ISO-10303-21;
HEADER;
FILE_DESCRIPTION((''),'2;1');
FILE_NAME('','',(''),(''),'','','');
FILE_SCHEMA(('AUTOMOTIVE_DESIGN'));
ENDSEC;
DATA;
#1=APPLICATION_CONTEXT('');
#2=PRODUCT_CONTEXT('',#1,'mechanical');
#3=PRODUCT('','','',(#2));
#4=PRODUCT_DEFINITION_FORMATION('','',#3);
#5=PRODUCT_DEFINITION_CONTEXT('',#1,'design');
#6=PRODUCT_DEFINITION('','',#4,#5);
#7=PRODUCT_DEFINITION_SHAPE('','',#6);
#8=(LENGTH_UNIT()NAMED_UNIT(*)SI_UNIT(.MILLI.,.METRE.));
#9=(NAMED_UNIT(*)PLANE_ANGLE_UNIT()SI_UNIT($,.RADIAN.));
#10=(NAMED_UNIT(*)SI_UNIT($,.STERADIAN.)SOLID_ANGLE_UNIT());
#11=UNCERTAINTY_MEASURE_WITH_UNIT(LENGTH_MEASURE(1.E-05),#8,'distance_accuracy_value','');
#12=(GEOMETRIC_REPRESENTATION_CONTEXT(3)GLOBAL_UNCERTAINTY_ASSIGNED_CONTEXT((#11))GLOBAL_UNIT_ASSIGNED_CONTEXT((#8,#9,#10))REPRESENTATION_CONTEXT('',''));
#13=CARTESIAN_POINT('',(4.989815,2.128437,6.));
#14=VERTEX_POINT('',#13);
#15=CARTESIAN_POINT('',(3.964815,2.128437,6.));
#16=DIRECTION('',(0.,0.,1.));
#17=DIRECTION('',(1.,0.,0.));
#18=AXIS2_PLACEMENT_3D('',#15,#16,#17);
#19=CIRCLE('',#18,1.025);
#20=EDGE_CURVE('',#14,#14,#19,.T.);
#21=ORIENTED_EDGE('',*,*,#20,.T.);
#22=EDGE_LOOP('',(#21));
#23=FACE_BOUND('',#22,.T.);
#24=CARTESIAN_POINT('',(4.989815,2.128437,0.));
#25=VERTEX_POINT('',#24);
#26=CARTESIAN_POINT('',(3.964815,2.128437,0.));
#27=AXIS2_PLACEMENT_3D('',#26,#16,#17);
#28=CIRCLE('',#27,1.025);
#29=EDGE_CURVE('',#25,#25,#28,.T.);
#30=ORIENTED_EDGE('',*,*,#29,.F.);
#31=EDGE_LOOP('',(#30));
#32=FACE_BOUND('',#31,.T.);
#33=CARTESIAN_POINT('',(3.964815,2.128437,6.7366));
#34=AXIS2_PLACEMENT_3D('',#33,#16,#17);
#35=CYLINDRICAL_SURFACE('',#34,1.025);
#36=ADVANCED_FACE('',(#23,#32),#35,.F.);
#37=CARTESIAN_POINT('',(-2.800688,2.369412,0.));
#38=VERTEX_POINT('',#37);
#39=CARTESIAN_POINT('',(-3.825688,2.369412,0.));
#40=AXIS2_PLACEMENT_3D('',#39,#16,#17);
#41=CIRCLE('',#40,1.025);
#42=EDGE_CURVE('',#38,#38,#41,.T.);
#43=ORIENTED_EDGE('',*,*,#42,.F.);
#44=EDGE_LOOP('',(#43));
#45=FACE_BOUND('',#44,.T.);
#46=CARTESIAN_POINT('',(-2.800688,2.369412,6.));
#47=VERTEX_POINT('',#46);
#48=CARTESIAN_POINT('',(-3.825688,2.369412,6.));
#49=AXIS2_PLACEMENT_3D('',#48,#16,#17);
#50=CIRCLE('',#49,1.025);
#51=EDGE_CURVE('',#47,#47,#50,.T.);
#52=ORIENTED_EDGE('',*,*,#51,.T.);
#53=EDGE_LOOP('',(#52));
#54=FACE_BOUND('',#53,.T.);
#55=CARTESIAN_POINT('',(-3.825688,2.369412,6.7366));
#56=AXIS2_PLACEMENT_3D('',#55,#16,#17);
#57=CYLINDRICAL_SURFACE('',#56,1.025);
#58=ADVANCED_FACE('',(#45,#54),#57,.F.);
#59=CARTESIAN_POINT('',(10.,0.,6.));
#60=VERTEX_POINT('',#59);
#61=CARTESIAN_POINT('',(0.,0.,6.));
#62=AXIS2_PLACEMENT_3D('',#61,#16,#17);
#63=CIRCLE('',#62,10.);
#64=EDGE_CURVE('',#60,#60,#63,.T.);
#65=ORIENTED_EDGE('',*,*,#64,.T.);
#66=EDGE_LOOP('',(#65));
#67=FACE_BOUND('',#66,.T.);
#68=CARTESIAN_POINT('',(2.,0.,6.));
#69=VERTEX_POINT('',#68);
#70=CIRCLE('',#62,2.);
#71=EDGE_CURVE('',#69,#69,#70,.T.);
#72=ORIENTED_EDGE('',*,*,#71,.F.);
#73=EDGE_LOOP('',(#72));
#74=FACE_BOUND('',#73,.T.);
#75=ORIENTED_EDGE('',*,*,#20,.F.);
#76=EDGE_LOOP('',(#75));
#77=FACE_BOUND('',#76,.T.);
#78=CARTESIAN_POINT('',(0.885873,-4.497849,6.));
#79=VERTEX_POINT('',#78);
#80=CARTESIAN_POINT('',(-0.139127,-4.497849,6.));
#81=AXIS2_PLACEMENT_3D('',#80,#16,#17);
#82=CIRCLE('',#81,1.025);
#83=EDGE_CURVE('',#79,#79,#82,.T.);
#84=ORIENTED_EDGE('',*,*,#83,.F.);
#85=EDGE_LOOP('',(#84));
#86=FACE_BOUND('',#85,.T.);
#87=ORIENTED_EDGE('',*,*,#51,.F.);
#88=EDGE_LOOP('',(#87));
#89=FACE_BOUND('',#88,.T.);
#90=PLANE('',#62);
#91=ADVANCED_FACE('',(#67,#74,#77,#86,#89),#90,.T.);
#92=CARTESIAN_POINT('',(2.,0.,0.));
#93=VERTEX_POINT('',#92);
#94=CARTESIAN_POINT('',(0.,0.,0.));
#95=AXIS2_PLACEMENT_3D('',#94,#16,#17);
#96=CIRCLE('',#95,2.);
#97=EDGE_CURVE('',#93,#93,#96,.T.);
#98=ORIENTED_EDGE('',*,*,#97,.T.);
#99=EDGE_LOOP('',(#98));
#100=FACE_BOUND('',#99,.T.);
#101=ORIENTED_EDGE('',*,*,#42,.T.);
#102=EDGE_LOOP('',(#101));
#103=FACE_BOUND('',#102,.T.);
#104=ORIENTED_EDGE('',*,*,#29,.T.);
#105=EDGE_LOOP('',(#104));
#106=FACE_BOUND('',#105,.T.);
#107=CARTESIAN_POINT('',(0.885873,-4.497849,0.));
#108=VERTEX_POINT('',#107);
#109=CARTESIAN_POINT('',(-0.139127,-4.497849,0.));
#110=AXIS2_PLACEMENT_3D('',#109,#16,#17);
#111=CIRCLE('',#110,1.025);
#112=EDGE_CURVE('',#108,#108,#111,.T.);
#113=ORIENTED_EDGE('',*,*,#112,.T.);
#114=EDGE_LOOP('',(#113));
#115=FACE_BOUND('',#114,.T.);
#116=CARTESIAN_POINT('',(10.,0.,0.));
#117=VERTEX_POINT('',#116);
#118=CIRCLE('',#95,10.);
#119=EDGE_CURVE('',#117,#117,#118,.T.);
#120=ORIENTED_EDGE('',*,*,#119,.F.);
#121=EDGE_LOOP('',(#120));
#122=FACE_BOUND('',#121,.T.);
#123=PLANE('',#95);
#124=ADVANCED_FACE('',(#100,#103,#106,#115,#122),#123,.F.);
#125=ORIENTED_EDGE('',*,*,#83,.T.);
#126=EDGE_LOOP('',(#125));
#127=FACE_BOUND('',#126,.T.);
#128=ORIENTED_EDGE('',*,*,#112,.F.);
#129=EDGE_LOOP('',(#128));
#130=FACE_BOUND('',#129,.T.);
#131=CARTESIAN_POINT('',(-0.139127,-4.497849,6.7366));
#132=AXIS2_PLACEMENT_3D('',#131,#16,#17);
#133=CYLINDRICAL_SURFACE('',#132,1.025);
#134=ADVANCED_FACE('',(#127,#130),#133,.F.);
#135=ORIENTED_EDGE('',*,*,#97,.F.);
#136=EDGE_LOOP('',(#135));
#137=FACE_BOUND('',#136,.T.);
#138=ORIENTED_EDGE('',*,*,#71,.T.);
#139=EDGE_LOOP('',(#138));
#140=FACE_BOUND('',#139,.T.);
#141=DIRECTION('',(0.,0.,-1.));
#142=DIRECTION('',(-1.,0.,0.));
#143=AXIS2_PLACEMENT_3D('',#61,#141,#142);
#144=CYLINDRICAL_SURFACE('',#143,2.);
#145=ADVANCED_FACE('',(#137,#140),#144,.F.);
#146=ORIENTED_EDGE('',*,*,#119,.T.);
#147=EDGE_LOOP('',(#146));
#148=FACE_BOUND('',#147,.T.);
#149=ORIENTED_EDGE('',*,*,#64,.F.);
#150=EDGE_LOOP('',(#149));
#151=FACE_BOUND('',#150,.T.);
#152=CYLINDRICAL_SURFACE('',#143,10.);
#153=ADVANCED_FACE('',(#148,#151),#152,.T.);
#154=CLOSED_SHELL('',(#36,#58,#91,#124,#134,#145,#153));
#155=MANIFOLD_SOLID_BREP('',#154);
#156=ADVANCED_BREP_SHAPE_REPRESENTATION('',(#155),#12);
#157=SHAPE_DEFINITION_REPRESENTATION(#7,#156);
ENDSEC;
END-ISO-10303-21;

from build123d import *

# Parameters (mm, degrees)
SKETCH1_R                    = 10
SKETCH1_R_2                  = 2
BOSS_EXTRUDE1_DEPTH          = 6
F_2_05_2_05_DIAMETER_HOLE1_D = 2.05


with BuildPart() as part:
    # Sketch1 → Boss-Extrude1 (new body)
    with BuildSketch(Plane.XY):
        Circle(SKETCH1_R)
        Circle(SKETCH1_R_2, mode=Mode.SUBTRACT)
    extrude(amount=BOSS_EXTRUDE1_DEPTH)

    # Ø2.05 (2.05) Diameter Hole1 (through all)
    with Locations(Plane(origin=(-167.340510867, 18.18779669, 6.7366), x_dir=(0.05861513275015712, -0.9982806550327825, 0), z_dir=(0, 0, 1))):
        with Locations((32.447172363, 165.584185204), (25.375630841, 162.306487764), (26.072832352, 170.069471085)):
            Hole(F_2_05_2_05_DIAMETER_HOLE1_D / 2)


solid = part.part
